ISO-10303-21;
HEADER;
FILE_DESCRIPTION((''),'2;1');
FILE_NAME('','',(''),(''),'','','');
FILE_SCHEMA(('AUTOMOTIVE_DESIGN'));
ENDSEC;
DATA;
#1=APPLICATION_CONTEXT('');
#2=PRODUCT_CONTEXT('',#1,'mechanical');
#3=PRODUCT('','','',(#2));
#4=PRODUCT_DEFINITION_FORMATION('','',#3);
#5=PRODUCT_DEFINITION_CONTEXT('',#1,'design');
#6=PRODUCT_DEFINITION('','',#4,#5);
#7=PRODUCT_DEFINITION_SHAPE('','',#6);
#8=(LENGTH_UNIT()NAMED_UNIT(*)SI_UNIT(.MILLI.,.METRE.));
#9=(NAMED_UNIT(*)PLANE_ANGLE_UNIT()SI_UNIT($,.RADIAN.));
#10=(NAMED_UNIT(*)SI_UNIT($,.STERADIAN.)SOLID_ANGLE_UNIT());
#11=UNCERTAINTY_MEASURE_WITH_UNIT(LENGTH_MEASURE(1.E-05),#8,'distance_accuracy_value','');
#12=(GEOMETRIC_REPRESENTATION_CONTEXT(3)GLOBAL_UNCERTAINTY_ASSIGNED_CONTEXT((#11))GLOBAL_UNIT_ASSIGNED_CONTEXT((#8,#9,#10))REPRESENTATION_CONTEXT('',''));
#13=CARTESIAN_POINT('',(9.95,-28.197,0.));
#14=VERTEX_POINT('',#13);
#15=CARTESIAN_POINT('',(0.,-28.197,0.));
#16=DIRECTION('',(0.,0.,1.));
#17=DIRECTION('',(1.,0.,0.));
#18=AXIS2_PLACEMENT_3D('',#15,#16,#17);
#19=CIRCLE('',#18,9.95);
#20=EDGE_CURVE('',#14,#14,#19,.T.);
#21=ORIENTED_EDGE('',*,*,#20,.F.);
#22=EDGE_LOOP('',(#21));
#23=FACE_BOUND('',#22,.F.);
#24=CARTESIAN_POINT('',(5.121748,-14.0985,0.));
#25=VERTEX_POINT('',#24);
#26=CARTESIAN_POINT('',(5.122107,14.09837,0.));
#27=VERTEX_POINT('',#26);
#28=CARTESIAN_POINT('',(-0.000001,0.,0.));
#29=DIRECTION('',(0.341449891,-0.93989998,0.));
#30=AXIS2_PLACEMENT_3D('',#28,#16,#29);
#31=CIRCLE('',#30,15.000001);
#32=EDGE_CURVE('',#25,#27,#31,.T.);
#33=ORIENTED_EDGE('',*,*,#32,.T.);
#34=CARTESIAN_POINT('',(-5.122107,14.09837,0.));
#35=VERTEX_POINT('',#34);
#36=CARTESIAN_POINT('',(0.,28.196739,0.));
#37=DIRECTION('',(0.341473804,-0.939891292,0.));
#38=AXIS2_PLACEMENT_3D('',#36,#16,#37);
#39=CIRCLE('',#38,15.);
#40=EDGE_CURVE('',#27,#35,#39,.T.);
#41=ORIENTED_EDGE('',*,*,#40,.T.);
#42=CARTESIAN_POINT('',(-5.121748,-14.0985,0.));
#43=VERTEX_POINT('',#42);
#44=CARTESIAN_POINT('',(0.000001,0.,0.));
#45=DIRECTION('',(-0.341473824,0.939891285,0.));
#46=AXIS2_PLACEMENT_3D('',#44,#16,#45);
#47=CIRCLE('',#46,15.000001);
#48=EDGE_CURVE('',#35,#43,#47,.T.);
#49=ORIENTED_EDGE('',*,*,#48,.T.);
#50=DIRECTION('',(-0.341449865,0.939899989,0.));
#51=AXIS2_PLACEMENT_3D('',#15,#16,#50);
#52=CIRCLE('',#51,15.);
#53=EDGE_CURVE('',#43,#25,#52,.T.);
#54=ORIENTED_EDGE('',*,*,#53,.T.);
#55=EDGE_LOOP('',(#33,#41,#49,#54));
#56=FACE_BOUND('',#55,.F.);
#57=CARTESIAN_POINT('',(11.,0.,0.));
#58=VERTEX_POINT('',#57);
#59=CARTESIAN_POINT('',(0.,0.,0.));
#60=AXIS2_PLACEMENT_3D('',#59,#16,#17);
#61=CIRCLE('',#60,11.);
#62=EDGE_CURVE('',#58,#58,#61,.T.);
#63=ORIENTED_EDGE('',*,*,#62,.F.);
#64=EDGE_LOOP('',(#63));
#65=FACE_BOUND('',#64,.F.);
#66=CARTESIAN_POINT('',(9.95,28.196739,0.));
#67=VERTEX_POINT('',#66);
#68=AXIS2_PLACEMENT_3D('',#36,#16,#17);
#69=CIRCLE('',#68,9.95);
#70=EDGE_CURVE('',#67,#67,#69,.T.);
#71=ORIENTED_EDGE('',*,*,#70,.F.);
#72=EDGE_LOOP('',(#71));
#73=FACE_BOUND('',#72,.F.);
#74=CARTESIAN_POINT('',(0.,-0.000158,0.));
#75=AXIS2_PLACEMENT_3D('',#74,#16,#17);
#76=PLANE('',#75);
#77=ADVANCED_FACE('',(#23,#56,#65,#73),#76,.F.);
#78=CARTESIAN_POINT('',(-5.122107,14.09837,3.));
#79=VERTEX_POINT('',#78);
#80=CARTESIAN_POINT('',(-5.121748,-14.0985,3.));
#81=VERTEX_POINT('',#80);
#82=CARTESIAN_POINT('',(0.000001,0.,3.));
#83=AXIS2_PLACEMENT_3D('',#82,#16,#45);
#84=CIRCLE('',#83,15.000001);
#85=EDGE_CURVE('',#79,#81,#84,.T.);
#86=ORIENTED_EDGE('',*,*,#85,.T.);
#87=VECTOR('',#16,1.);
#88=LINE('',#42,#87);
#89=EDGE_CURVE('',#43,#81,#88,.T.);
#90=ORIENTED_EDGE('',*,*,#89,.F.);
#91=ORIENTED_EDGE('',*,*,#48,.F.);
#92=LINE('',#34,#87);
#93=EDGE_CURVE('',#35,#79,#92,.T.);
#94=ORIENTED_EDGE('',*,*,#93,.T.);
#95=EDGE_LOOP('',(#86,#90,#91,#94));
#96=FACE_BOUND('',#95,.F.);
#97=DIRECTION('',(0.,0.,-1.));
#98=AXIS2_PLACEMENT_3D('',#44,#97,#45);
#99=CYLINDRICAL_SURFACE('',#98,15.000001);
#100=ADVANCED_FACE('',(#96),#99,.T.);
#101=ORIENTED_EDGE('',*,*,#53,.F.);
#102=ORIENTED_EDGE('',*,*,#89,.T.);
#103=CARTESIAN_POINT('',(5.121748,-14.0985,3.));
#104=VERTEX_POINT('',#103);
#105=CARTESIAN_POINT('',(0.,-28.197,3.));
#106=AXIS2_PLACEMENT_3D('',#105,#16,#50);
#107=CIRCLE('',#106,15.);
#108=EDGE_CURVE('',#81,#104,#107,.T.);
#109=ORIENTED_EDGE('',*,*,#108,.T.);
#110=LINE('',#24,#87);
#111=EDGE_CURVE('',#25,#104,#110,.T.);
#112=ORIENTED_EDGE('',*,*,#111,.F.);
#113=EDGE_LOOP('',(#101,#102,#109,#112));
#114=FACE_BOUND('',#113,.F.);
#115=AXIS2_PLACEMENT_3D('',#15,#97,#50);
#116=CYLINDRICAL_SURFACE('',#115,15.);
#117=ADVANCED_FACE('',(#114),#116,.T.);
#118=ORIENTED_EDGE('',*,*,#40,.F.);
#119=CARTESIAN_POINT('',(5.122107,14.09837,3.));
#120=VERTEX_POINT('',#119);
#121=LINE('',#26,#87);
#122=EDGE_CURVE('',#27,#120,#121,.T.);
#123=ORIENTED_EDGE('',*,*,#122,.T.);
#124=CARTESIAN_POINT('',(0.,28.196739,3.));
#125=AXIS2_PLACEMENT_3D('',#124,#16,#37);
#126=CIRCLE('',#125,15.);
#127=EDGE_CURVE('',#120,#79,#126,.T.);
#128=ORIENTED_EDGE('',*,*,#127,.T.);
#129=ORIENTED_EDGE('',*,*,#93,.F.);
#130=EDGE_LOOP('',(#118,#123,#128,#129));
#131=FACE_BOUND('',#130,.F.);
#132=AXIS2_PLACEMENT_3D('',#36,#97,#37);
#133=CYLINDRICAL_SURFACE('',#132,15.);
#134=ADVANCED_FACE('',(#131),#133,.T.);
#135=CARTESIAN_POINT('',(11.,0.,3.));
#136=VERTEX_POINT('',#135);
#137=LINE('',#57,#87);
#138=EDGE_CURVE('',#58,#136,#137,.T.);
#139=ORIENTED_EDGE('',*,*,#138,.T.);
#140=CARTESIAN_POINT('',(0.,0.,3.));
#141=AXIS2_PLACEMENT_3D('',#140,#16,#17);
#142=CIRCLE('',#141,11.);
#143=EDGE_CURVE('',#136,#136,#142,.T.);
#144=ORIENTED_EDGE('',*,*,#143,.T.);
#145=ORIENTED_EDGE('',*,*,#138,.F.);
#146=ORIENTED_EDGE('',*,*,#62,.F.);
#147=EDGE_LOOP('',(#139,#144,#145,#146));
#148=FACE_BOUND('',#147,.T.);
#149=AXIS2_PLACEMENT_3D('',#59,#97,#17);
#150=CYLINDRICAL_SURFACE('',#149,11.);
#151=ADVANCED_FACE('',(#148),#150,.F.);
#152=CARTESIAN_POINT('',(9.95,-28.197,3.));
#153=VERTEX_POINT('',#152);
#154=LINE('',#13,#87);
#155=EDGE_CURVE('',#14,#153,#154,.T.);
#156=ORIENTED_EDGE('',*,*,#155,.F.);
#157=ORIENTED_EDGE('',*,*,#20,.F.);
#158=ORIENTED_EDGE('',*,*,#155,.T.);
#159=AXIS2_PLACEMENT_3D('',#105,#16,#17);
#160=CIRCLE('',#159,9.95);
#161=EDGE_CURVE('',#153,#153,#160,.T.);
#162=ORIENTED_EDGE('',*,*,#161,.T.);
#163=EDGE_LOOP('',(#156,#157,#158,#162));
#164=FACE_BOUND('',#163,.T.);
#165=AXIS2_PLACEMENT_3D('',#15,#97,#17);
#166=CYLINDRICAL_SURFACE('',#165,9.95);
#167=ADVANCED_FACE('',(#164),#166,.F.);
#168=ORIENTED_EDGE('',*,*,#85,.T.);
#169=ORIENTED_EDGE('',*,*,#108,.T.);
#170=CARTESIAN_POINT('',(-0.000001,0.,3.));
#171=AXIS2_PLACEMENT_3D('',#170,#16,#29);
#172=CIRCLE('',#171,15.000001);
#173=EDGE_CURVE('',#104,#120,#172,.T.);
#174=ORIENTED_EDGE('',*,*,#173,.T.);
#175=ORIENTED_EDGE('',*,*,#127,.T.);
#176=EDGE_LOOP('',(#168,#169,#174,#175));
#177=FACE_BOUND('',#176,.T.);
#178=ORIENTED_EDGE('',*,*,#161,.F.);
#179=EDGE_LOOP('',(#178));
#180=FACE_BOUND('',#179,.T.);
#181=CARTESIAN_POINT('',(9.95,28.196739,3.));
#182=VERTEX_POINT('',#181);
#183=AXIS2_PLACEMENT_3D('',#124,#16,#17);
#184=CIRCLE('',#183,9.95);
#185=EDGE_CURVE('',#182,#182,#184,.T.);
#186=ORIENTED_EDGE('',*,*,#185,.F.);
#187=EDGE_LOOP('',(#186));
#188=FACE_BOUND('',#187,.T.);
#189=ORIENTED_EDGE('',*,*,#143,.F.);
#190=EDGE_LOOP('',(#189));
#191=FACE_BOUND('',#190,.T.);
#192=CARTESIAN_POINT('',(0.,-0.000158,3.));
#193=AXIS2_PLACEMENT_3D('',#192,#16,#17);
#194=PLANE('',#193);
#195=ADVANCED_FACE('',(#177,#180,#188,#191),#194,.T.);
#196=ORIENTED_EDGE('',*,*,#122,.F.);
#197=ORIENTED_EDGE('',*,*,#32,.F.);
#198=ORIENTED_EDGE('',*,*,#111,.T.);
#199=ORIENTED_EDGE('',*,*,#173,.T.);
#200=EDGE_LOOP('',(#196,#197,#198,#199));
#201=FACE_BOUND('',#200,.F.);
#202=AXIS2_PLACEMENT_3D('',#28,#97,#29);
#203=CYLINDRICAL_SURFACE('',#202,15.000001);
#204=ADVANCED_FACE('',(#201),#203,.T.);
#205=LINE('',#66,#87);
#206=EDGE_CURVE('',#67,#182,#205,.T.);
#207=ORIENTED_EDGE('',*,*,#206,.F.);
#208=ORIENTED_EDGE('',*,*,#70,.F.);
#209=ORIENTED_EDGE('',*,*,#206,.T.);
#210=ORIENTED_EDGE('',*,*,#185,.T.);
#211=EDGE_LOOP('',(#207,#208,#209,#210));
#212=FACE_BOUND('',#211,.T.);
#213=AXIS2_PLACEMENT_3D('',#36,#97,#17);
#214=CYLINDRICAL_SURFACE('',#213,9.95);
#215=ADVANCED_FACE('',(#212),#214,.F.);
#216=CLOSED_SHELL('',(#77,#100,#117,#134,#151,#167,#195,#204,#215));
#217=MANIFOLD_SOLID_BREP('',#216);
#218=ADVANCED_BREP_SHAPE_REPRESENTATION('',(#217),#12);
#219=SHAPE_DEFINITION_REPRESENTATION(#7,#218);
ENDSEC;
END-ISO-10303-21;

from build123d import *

# Parameters (mm, degrees)
F0_R     = 9.95
F0_R_2   = 11
F1_DEPTH = 3


with BuildPart() as f1:
    # F0 (on Top) → F1 (new body)
    with BuildSketch(Plane.XY):
        with BuildLine():
            ThreePointArc((5.122107, 14.09837), (0, 43.196739), (-5.122107, 14.09837))
            ThreePointArc((-5.122107, 14.09837), (-15, -0.000191), (-5.121748, -14.0985))
            ThreePointArc((-5.121748, -14.0985), (0, -43.197), (5.121748, -14.0985))
            ThreePointArc((5.121748, -14.0985), (15, -0.000191), (5.122107, 14.09837))
        make_face()
        with Locations((0, -28.197)):
            Circle(F0_R, mode=Mode.SUBTRACT)
        Circle(F0_R_2, mode=Mode.SUBTRACT)
        with Locations((0, 28.196739)):
            Circle(F0_R, mode=Mode.SUBTRACT)
    extrude(amount=F1_DEPTH)


solid = f1.part
